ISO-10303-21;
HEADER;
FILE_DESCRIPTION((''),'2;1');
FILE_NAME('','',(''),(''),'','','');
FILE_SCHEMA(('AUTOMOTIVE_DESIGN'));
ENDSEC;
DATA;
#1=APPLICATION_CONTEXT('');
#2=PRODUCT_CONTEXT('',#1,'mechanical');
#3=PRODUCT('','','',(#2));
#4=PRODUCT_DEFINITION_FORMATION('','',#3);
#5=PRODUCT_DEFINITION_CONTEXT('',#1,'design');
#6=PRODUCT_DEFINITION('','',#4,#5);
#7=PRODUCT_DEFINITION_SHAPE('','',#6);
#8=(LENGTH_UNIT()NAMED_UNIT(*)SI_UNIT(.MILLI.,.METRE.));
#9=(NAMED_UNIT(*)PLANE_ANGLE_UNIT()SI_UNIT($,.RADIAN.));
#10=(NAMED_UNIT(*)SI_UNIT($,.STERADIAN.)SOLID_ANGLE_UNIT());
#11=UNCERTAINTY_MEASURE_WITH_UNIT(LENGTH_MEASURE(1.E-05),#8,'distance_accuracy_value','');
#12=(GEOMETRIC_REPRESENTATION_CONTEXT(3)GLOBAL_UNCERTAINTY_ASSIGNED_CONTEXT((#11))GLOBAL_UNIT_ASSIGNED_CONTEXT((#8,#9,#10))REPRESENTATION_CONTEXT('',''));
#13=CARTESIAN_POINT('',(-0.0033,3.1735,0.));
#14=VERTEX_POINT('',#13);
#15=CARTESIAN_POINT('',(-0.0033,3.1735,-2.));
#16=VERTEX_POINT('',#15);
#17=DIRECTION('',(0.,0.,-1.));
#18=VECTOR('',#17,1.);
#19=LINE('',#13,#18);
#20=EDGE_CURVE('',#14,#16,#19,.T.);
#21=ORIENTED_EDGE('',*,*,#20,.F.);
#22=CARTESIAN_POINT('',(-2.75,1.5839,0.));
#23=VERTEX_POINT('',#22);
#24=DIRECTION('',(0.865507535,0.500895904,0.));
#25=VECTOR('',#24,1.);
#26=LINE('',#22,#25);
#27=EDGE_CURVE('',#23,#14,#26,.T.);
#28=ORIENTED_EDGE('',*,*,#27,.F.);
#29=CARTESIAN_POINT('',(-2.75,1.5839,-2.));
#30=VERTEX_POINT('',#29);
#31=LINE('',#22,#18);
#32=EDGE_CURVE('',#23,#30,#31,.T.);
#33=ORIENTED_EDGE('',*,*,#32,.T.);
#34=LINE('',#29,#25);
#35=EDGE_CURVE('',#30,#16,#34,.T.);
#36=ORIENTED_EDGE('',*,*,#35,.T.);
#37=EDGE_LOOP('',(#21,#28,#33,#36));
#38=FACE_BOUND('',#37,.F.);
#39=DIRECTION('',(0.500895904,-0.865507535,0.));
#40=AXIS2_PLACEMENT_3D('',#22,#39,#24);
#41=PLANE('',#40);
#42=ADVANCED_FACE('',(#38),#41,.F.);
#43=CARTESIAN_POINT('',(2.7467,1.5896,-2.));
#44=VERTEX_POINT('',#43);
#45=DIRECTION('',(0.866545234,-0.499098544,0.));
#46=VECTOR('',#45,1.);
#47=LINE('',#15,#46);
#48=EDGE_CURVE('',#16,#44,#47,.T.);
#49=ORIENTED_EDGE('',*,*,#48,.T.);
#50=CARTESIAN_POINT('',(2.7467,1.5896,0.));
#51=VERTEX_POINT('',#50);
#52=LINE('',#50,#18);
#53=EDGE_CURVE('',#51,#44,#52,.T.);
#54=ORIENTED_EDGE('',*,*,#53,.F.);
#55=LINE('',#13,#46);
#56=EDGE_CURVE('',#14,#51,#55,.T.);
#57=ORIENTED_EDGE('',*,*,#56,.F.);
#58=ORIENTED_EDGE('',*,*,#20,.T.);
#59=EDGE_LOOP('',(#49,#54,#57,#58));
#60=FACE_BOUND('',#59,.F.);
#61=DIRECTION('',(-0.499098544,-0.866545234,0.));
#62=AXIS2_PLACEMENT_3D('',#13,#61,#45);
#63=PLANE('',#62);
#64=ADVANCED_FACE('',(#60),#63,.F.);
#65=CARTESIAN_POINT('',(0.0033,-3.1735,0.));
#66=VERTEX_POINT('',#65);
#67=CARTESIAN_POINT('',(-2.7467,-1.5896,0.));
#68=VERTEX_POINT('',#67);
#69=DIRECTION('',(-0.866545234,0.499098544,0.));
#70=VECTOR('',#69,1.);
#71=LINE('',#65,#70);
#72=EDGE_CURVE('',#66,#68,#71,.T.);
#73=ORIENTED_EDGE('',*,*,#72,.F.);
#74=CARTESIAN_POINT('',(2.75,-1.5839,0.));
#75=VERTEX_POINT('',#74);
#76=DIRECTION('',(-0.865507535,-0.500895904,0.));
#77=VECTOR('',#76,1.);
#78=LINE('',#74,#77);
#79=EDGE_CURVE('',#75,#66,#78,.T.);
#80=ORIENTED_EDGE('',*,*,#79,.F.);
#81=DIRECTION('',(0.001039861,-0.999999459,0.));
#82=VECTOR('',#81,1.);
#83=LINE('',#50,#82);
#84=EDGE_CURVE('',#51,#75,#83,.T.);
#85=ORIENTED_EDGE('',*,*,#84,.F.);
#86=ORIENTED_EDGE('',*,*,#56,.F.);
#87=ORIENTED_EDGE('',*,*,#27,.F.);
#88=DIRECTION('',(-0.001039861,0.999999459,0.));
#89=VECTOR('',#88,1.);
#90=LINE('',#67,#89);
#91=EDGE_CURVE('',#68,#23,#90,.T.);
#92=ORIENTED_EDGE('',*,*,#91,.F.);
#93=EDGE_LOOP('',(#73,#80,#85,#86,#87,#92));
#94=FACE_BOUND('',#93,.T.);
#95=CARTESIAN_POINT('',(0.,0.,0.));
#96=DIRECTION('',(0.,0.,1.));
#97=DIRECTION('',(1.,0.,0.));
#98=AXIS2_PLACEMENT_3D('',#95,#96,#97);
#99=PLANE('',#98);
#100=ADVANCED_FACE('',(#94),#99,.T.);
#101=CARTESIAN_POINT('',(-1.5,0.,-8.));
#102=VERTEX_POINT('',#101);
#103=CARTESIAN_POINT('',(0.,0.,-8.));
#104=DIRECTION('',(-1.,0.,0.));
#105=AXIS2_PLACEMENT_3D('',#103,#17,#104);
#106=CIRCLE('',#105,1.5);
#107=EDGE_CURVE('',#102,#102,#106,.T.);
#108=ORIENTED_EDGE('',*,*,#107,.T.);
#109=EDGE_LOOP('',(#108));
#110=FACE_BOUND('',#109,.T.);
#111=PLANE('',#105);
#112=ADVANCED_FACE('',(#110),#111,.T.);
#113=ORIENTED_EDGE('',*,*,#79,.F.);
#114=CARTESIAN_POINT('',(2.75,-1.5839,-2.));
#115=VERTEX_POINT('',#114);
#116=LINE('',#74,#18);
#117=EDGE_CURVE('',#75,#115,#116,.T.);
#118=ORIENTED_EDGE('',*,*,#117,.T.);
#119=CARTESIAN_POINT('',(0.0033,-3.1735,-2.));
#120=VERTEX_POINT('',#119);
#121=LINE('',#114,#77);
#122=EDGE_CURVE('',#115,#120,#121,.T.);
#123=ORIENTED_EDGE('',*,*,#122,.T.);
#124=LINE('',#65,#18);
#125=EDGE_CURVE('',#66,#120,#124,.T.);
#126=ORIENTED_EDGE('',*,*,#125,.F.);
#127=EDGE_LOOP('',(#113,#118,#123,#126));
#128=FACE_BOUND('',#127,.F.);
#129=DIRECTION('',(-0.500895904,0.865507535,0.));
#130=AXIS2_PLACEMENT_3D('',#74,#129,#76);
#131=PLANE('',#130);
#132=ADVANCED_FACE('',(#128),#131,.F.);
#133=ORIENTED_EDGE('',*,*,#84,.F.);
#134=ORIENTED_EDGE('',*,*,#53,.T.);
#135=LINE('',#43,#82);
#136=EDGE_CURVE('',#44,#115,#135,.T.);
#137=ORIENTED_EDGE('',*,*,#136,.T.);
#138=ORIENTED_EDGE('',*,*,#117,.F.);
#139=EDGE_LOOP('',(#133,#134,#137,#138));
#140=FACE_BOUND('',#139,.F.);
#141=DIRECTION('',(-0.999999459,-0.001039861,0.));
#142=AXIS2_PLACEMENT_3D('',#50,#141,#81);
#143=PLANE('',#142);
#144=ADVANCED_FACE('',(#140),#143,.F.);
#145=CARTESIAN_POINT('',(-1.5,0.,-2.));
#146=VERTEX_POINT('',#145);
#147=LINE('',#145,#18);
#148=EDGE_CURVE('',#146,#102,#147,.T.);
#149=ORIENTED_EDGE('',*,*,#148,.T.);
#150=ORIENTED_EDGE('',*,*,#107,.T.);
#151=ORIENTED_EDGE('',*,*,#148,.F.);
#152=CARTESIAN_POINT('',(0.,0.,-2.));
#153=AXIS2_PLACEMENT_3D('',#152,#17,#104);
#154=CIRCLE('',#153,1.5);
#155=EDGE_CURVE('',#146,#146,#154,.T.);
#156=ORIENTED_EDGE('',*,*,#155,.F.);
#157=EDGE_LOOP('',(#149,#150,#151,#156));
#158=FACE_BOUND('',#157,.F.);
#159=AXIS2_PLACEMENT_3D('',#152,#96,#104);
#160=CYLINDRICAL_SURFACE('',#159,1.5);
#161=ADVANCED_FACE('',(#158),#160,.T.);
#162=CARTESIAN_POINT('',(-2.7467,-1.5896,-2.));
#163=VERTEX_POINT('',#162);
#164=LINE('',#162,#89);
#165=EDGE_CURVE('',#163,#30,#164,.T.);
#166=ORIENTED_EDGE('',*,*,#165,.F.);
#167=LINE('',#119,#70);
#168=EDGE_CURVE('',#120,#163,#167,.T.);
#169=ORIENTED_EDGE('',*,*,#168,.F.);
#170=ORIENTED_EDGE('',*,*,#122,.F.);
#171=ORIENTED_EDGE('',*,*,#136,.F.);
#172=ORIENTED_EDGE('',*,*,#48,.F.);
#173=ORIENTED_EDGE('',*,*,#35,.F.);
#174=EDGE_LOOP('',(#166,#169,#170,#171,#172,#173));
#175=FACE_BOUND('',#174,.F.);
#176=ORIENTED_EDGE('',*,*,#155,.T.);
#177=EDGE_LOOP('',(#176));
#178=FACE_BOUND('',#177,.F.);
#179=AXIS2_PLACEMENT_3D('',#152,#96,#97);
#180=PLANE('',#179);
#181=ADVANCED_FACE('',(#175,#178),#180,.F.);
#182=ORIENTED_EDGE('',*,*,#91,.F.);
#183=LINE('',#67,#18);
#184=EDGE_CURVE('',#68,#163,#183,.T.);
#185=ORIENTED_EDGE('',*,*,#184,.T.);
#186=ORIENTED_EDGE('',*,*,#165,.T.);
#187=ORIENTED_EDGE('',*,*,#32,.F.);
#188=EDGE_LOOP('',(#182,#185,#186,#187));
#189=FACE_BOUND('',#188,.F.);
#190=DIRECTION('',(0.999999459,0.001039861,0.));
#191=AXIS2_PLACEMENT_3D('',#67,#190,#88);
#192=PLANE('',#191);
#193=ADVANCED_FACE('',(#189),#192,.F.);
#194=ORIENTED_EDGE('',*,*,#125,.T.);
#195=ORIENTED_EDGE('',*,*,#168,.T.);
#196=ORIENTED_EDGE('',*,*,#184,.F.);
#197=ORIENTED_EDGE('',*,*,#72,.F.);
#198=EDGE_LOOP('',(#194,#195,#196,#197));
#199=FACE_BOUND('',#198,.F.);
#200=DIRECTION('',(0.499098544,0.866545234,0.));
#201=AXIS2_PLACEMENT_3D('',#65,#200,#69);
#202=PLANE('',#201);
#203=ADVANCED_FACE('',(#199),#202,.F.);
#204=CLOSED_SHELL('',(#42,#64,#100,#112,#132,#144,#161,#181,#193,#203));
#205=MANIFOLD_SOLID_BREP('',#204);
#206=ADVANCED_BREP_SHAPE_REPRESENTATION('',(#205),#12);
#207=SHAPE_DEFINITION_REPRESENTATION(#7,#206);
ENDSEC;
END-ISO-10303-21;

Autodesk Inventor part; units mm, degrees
ref_plane "YZ Plane" through (0, 0, 0) normal (1, 0, 0) x (0, 1, 0)
ref_plane "XZ Plane" through (0, 0, 0) normal (0, 1, 0) x (-1, 0, 0)
ref_plane "XY Plane" through (0, 0, 0) normal (0, 0, 1) x (1, 0, 0)
sketch "Boceto1" plane through (0, 0, 0) normal (0, 0, 1) x (1, 0, 0)
  line L0 (-2.75, 1.5839) -> (-0.0033, 3.1735)
  line L1 (-0.0033, 3.1735) -> (2.7467, 1.5896)
  line L2 (2.7467, 1.5896) -> (2.75, -1.5839)
  line L3 (2.75, -1.5839) -> (0.0033, -3.1735)
  line L4 (0.0033, -3.1735) -> (-2.7467, -1.5896)
  line L5 (-2.7467, -1.5896) -> (-2.75, 1.5839)
  point P0 (0, 0)
  point P1 (0, 0)
extrude "Extrusión1" add sketch "Boceto1" against normal blind 2
sketch "Boceto2" plane through (0, 0, -2) normal (0, 0, -1) x (-1, 0, 0)
  circle A0 centre (0, 0) radius 1.5
  dimension "d3" = 3
extrude "Extrusión2" add sketch "Boceto2" along normal blind 6
properties part number "Tornillo para Motor Pololu"
